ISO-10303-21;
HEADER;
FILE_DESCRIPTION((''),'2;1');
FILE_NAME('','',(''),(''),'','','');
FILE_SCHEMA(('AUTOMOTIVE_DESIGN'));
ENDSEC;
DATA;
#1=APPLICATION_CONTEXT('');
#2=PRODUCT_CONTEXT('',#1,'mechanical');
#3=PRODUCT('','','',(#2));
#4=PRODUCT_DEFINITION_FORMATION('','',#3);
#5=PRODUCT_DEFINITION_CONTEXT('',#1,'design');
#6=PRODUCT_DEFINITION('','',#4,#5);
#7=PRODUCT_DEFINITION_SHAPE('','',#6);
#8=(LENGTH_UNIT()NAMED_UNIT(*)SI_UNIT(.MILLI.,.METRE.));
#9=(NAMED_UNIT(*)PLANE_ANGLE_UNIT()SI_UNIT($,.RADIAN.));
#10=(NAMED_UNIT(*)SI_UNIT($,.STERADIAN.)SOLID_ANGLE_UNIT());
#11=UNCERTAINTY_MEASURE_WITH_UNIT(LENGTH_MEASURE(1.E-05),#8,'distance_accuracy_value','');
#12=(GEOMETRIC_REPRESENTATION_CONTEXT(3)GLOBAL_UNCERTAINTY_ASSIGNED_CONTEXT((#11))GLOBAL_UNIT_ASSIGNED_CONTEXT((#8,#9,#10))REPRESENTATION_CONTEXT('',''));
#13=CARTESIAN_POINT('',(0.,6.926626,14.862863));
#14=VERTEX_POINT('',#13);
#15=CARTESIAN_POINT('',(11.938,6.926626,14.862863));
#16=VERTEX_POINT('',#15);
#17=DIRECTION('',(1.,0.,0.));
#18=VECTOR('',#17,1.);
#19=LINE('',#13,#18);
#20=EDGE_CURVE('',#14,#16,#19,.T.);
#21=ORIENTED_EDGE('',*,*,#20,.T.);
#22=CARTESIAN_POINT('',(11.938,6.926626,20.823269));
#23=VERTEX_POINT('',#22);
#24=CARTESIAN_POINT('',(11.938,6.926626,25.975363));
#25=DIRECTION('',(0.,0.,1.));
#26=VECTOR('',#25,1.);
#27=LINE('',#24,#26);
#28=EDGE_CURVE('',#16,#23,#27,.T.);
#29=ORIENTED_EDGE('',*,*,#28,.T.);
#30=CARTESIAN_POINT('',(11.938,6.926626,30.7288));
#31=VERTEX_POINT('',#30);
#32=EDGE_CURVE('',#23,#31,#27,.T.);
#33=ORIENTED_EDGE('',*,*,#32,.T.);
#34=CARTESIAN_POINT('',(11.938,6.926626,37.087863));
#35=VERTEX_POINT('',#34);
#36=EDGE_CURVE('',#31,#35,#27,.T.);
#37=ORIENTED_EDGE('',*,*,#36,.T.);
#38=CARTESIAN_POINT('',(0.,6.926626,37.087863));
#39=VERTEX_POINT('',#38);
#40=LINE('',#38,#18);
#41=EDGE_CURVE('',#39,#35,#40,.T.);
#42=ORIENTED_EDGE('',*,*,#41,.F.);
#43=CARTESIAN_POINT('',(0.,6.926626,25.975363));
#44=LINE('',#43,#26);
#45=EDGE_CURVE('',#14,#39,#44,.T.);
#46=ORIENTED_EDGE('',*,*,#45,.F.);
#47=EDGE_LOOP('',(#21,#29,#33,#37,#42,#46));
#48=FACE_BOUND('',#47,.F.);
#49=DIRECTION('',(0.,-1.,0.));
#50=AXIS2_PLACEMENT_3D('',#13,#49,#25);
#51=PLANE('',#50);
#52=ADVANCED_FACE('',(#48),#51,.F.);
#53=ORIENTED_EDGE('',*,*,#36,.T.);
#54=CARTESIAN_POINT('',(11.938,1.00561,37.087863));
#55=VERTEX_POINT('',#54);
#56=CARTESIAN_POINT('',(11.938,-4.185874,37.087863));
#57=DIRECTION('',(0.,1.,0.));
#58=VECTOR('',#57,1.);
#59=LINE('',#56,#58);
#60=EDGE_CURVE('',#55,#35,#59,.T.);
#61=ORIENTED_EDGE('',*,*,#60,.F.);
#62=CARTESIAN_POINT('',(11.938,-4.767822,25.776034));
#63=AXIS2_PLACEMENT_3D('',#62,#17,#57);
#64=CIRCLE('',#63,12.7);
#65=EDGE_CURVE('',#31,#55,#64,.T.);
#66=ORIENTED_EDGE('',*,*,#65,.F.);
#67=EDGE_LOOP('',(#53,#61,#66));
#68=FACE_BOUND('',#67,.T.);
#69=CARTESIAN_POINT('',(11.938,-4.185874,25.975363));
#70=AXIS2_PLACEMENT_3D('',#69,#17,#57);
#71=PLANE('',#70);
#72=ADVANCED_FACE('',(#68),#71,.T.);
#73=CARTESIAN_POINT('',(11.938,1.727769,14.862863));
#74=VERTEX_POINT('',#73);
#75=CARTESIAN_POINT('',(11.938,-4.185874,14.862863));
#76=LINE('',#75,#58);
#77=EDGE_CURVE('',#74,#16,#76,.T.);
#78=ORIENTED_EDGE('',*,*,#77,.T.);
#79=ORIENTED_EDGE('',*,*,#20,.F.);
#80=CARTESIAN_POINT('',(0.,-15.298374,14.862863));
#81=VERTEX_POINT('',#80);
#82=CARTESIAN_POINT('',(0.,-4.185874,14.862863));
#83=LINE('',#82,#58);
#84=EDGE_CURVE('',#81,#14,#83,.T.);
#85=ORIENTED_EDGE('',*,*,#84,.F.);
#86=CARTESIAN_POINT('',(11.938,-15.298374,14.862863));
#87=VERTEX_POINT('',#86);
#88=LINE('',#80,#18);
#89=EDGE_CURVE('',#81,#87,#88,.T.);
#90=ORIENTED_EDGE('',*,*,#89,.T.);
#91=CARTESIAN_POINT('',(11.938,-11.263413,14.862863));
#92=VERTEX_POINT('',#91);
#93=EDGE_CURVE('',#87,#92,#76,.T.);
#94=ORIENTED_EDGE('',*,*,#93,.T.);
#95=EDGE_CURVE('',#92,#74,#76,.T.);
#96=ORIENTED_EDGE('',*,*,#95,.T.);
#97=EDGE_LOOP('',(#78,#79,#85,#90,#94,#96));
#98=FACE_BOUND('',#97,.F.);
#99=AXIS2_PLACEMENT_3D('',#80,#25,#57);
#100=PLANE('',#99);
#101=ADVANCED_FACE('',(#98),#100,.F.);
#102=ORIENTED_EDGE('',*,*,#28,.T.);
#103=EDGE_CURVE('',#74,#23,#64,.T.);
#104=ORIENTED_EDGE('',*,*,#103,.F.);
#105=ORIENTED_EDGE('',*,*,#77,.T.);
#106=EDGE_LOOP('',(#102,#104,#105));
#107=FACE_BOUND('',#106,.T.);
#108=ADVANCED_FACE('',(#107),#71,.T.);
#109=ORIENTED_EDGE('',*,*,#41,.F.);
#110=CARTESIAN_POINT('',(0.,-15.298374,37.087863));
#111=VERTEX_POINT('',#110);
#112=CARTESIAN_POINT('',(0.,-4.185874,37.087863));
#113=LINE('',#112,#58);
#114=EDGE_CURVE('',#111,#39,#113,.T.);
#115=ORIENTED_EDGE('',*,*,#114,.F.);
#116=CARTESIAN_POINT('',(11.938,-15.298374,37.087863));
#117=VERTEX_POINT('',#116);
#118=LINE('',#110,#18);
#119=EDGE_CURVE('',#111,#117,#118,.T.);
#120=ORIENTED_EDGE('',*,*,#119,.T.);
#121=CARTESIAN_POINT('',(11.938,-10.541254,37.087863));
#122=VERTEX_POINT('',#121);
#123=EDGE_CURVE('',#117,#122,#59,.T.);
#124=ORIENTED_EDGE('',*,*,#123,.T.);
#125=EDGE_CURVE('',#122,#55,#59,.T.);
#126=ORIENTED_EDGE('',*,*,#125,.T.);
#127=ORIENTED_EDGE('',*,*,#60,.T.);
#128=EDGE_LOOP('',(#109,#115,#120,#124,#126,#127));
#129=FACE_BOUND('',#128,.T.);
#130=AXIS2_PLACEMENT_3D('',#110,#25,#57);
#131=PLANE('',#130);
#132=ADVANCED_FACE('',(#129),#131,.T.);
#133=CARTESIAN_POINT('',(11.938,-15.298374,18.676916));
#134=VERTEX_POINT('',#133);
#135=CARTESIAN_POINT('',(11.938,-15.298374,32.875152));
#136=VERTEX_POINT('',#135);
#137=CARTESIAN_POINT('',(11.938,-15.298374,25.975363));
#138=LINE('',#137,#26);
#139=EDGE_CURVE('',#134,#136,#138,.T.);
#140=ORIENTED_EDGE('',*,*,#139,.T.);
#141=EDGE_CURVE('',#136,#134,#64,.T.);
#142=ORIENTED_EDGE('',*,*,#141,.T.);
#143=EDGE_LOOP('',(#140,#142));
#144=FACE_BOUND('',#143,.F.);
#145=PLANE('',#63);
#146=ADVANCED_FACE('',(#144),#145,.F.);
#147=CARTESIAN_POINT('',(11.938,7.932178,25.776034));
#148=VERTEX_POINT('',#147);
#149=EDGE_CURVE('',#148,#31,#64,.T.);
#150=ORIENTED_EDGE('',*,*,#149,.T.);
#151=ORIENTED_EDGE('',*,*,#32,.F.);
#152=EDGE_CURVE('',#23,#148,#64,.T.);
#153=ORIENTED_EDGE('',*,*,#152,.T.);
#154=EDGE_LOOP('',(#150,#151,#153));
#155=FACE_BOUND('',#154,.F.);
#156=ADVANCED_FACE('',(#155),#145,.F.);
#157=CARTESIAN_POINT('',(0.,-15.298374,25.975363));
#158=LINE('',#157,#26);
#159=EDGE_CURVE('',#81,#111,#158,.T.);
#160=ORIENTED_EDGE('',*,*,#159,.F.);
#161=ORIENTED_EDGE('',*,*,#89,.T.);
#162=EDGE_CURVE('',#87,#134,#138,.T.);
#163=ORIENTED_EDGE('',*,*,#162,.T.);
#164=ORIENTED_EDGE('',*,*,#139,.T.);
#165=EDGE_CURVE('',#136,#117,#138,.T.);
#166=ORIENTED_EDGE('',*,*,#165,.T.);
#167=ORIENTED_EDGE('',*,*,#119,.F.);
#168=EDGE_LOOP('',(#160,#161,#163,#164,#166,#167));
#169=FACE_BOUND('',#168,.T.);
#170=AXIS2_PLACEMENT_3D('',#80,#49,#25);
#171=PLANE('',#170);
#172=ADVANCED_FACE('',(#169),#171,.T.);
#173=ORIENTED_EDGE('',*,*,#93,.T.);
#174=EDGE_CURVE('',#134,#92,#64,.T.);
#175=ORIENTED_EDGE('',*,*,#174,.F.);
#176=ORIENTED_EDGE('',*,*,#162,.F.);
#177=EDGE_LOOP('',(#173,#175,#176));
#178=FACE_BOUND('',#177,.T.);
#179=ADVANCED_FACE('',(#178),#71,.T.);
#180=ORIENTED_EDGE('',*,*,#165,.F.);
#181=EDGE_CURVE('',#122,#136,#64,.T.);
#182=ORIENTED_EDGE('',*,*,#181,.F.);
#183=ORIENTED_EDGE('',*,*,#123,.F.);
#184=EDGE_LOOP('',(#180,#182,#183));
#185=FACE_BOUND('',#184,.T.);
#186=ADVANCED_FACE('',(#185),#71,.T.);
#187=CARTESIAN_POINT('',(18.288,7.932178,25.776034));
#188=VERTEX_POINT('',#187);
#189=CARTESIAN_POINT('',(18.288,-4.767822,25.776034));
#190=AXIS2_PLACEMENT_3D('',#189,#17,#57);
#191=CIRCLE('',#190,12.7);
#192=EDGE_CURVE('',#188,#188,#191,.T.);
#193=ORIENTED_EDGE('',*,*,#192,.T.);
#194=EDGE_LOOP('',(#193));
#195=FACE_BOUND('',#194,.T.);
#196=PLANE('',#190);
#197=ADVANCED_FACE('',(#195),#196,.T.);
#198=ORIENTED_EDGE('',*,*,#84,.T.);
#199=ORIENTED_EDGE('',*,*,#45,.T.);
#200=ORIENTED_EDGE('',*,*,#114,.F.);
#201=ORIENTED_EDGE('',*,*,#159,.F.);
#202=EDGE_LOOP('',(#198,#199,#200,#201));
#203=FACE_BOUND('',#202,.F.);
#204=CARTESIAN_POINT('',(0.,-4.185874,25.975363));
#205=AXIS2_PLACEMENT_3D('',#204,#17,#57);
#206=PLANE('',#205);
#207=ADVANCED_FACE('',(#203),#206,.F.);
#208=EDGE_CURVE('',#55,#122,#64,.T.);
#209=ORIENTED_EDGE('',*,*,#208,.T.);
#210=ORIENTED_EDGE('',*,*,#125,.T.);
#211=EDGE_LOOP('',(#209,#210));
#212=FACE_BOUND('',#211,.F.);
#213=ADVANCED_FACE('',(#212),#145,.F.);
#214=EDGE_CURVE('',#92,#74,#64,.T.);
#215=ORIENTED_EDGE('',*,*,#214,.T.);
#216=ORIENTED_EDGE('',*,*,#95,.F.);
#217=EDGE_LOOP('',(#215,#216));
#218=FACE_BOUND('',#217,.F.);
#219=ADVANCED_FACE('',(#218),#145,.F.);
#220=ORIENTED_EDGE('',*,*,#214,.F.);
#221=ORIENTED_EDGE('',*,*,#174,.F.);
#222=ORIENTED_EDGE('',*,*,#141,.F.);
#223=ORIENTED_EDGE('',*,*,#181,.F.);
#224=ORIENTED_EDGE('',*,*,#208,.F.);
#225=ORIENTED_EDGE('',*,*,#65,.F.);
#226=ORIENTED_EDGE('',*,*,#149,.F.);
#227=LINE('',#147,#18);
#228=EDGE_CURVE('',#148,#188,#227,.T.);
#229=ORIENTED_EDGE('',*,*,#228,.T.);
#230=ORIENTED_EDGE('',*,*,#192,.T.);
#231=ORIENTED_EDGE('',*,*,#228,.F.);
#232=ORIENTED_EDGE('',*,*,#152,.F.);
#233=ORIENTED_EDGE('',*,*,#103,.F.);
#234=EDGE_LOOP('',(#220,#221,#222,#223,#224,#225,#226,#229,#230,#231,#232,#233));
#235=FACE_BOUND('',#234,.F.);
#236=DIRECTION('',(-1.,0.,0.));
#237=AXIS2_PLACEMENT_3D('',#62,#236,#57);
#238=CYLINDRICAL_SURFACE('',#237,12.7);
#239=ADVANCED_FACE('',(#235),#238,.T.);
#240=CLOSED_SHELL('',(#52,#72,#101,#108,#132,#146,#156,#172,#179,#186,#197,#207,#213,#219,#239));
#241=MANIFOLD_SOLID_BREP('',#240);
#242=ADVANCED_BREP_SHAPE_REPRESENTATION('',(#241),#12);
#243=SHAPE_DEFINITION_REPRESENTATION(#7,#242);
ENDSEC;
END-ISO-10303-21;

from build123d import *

# Parameters (mm, degrees)
F0_W     = 22.225
F0_H     = 22.225
F0_R     = 5.08
F1_DEPTH = 11.938
F2_DEPTH = 18.288
F4_R     = 12.7
F5_DEPTH = 6.35


with BuildPart() as f1:
    # F0 (on Right) → F1 (new body)
    with BuildSketch(Plane.YZ):
        with Locations((-4.1858740151, 25.9753634954)):
            Rectangle(F0_W, F0_H)
        with Locations((-4.1858740151, 25.9753634954)):
            Circle(F0_R, mode=Mode.SUBTRACT)
    extrude(amount=F1_DEPTH)

    # F0 (on Right) → F2 (join)
    with BuildSketch(Plane.YZ):
        with Locations((-4.1858740151, 25.9753634954)):
            Circle(F0_R)
    extrude(amount=F2_DEPTH)

    # F4 (on offset) → F5 (join)
    with BuildSketch(Plane.YZ.offset(11.938)):
        with Locations((-4.7678221017, 25.7760342211)):
            Circle(F4_R)
    extrude(amount=F5_DEPTH)


solid = f1.part
